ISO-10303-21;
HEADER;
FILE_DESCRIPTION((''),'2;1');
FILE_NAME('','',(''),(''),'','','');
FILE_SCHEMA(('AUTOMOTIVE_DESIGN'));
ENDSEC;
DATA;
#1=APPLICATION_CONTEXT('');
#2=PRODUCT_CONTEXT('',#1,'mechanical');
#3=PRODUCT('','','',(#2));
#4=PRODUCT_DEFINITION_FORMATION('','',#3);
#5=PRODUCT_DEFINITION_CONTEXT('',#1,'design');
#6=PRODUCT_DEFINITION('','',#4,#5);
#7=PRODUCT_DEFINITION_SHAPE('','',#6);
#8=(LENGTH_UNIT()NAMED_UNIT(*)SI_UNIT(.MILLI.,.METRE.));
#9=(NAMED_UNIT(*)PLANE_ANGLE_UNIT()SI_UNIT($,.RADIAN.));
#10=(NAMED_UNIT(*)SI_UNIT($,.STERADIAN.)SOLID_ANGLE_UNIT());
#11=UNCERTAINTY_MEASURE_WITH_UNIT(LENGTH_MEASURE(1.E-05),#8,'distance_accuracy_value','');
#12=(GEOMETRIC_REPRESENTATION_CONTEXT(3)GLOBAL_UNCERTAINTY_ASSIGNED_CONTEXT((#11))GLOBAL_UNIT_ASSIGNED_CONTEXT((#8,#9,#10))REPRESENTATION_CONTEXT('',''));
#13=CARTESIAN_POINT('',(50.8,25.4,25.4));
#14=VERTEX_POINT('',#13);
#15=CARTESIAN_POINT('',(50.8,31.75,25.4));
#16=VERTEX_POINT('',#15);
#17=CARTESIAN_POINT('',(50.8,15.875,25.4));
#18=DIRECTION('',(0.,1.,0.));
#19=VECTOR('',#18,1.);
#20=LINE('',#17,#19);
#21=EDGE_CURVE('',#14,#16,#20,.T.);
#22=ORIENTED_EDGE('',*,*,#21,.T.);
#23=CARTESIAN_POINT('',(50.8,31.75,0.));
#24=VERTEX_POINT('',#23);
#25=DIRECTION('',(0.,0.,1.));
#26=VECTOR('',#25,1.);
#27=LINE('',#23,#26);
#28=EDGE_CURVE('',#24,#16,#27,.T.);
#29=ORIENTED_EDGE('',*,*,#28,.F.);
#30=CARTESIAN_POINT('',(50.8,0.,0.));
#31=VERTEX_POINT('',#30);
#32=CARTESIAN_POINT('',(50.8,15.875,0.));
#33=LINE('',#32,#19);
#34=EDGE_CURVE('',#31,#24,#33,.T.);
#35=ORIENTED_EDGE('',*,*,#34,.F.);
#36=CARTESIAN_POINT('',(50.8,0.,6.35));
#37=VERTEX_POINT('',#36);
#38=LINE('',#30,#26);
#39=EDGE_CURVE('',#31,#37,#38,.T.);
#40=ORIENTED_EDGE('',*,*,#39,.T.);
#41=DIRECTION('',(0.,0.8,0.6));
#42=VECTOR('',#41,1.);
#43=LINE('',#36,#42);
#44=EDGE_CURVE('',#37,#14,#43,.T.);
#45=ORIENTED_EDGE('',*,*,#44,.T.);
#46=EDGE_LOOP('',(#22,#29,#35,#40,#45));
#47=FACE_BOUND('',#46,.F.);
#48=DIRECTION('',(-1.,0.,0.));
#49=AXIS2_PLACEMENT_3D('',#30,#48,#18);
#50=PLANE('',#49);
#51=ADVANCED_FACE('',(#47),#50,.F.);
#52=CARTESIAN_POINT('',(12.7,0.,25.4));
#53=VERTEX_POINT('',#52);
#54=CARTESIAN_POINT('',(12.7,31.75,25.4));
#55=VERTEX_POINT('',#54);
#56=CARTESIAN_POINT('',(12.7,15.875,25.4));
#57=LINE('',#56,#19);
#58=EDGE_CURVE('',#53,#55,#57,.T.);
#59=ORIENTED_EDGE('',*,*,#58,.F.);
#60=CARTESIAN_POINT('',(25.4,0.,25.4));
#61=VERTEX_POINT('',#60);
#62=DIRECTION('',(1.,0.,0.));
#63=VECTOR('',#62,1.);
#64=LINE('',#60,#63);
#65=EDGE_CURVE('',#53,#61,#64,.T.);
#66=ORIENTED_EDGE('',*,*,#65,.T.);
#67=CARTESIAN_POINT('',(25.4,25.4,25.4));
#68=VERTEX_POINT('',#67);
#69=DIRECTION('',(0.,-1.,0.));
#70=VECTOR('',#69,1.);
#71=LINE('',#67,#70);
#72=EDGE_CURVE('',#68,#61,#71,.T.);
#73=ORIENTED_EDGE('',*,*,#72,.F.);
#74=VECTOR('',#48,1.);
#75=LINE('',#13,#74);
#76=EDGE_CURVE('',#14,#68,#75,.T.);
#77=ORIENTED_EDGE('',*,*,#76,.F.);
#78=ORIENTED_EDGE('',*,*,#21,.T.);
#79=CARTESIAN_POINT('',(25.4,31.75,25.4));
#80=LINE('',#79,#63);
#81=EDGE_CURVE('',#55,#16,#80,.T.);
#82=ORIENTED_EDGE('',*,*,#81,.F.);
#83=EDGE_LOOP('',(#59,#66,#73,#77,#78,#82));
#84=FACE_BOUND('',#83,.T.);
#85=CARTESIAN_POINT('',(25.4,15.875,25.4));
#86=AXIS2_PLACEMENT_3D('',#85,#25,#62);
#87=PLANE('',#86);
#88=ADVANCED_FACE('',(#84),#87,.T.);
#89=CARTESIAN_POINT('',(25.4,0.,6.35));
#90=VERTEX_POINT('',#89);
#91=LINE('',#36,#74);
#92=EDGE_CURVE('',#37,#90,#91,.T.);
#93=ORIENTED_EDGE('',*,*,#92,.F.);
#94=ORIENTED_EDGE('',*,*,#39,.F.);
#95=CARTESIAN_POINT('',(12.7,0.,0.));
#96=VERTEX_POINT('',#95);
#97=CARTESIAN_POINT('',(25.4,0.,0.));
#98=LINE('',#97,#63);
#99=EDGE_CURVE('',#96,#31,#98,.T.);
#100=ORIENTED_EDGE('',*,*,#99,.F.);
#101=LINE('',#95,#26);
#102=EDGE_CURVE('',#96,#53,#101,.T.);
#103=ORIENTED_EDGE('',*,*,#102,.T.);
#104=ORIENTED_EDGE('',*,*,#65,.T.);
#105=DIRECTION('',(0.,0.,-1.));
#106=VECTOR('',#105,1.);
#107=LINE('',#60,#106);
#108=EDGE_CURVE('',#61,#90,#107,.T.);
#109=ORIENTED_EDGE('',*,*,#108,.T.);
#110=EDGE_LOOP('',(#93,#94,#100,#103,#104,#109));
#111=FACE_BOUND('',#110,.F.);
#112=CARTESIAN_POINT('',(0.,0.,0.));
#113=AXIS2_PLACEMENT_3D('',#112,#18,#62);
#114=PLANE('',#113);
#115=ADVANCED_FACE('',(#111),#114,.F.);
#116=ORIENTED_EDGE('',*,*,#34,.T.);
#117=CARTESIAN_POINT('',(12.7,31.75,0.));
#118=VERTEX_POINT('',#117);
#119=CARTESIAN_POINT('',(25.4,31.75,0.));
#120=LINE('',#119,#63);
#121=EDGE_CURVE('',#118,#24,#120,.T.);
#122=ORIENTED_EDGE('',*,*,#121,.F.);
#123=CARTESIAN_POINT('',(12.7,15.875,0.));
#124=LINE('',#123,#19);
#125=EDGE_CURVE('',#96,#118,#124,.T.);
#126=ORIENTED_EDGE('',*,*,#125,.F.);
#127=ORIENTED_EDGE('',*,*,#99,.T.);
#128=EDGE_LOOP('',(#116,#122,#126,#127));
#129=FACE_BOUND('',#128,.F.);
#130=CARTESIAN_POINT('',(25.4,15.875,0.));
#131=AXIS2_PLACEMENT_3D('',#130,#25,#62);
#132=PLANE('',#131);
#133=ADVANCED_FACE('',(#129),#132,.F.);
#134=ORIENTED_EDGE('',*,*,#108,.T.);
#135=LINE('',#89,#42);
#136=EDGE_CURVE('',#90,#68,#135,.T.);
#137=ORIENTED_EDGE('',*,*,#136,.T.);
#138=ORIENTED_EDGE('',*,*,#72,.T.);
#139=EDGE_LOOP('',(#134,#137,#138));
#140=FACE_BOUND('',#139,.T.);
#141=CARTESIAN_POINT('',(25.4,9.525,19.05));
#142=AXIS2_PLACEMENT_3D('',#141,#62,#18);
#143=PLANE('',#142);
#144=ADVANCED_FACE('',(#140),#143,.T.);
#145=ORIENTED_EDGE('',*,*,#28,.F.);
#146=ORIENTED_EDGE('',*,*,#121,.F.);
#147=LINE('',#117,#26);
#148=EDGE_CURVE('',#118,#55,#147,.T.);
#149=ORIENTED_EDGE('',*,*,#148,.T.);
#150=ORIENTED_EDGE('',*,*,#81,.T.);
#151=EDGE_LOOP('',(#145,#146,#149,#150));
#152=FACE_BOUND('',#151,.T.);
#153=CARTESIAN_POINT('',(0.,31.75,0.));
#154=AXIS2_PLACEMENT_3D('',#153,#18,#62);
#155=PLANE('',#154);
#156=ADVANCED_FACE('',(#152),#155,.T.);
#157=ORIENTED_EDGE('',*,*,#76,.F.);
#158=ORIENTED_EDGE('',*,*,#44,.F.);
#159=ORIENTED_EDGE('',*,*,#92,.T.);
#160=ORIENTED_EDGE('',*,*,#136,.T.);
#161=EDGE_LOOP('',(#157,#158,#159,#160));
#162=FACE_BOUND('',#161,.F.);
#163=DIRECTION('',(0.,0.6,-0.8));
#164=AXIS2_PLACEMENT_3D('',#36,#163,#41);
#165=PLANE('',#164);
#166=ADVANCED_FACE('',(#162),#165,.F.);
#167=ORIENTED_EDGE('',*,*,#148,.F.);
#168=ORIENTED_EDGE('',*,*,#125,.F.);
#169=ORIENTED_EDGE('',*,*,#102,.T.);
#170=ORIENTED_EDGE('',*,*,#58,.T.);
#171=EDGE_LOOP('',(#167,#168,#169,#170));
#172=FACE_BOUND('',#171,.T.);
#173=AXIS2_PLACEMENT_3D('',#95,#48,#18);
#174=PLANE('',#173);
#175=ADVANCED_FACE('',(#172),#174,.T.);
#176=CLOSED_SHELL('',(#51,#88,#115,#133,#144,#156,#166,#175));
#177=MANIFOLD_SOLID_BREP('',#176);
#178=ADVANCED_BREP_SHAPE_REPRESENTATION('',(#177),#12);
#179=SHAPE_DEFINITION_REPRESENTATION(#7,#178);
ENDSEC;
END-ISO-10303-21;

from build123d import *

# Parameters (mm, degrees)
F0_W     = 50.8
F0_H     = 31.75
F1_DEPTH = 25.4
F3_DEPTH = 25.4
F4_DEPTH = 6.35
F5_DEPTH = 6.35


with BuildPart() as f1:
    # F0 (on Top) → F1 (new body)
    with BuildSketch(Plane.XY):
        with Locations((25.4, 15.875)):
            Rectangle(F0_W, F0_H)
    extrude(amount=F1_DEPTH)

    # F2 (on face) → F3 (cut)
    with BuildSketch(Plane.YZ.offset(50.8)):
        Polygon((0, 6.35), (25.4, 25.4), (0, 25.4), align=None)
    extrude(amount=-F3_DEPTH, mode=Mode.SUBTRACT)

    # F4 (cut): a face of the model
    f4_faces = [f1.faces().sort_by_distance(p)[0] for p in [
        (0, 15.875, 12.7),
    ]]
    extrude(f4_faces, amount=-F4_DEPTH, mode=Mode.SUBTRACT)

    # F5 (cut): a face of the model
    f5_faces = [f1.faces().sort_by_distance(p)[0] for p in [
        (6.35, 15.875, 12.7),
    ]]
    extrude(f5_faces, amount=-F5_DEPTH, mode=Mode.SUBTRACT)


solid = f1.part
